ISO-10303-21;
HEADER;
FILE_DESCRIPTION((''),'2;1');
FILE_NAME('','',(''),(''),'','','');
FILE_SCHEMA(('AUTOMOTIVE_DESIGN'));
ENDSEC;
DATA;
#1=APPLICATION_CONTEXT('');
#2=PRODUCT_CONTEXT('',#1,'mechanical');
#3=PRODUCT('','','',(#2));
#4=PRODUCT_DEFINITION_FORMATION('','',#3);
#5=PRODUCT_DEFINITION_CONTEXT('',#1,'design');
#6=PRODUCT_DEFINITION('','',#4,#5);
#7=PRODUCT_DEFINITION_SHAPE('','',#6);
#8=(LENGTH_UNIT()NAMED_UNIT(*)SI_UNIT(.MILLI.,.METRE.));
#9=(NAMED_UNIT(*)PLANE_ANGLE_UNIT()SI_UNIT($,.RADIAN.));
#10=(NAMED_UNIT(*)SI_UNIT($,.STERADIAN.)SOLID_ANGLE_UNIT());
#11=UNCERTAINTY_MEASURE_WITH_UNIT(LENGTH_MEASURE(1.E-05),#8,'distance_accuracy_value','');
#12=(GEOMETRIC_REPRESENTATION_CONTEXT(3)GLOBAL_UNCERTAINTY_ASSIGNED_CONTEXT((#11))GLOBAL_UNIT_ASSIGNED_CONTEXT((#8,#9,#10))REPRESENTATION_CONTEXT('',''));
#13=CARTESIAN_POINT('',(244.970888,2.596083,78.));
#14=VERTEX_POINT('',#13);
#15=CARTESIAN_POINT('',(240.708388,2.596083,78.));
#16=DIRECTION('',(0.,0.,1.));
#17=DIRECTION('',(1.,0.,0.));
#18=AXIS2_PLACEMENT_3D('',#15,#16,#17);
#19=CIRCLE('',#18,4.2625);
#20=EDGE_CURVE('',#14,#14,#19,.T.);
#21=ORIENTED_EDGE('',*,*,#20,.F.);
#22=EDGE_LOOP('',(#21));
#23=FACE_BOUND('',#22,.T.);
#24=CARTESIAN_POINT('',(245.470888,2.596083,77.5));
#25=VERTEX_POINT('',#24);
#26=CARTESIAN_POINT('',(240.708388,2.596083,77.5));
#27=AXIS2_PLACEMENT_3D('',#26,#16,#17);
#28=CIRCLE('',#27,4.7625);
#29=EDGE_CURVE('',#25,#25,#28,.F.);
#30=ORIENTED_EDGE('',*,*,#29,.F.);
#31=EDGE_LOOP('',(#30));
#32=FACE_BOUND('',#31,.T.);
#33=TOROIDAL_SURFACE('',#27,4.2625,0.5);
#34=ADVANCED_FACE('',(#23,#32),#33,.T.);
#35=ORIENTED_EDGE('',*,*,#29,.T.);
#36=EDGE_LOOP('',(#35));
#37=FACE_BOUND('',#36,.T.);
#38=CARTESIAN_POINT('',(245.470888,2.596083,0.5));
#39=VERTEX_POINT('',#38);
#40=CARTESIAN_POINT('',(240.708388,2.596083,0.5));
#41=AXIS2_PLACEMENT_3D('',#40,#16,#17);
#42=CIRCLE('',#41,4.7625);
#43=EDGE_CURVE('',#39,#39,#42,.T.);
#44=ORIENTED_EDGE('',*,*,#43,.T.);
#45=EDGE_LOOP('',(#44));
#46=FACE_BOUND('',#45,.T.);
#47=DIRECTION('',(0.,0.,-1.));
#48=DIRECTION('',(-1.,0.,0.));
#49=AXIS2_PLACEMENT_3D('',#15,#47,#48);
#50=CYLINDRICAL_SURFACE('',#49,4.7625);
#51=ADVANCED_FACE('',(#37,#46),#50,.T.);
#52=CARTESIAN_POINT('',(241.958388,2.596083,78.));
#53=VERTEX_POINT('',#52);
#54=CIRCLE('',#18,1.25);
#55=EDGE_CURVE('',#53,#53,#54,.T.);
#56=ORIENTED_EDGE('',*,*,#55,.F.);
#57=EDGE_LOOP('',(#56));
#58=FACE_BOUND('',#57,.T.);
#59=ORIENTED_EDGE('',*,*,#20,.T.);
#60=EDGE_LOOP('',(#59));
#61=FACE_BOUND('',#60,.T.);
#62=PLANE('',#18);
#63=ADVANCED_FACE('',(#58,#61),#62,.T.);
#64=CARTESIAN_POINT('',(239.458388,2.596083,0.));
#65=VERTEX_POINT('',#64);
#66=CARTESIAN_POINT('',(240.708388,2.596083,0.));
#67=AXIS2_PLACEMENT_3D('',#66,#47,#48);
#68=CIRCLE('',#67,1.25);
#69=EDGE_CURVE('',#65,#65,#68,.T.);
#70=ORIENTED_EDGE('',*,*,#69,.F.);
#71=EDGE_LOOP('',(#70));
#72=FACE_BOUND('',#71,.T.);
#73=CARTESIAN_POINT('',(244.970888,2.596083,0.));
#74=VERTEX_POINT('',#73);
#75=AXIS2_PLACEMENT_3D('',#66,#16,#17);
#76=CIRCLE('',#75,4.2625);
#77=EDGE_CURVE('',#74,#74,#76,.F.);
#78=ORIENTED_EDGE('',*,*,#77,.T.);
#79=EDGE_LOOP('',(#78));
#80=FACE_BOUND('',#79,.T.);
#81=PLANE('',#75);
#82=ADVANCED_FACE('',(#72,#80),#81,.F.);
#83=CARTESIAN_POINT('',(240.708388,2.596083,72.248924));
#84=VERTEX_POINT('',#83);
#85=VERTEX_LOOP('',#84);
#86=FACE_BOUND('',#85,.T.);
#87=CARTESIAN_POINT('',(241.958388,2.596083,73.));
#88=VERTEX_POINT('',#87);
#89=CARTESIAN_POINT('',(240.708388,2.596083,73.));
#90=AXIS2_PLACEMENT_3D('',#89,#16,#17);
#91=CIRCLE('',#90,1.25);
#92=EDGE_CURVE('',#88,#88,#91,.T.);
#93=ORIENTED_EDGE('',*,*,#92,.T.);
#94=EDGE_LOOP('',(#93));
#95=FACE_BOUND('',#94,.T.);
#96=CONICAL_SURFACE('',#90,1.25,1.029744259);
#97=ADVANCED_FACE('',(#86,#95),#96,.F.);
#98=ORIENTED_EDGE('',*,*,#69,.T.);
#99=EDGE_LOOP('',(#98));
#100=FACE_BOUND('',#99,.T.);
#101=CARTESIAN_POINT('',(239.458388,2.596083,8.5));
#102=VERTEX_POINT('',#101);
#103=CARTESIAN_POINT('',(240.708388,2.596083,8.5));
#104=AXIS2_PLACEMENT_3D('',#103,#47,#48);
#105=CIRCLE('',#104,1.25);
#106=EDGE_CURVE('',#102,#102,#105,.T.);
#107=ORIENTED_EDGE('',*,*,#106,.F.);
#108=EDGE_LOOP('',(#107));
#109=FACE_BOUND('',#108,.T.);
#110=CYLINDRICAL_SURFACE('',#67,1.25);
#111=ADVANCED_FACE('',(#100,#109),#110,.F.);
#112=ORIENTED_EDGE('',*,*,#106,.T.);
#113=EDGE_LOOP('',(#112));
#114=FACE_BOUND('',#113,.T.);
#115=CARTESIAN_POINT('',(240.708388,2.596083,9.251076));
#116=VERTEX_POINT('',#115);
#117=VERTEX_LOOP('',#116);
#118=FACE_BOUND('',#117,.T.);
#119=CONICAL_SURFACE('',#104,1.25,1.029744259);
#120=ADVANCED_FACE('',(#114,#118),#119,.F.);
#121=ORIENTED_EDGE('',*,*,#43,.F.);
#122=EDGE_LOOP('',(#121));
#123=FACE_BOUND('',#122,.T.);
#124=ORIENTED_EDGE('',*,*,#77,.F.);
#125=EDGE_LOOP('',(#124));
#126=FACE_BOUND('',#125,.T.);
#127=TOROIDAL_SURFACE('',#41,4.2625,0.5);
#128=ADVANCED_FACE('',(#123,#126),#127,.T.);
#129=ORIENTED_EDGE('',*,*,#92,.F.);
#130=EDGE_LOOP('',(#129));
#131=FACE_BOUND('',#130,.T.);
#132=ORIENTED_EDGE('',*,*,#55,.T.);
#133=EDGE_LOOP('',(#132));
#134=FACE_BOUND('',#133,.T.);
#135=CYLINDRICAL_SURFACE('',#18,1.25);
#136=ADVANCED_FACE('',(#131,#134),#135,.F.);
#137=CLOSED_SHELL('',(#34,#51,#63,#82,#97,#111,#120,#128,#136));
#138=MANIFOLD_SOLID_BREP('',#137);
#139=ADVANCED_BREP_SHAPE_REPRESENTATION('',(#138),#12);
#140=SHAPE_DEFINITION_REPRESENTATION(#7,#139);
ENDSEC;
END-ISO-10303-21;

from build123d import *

# Parameters (mm, degrees)
ESBO_O1_R                                      = 4.7625
RESSALTO_EXTRUS_O1_DEPTH                       = 78
FURO_ROSCADO_DE_M3X0_52_D                      = 2.5
FURO_ROSCADO_DE_M3X0_52_DEPTH                  = 8.5
FURO_ROSCADO_DE_M3X0_52_TIP                    = 0.751075774
FILETE1_R                                      = 0.5
BROCA_DE_ROSQUEAR_PARA_TARRAXA_DE_M3X0_5_D     = 2.5
BROCA_DE_ROSQUEAR_PARA_TARRAXA_DE_M3X0_5_DEPTH = 5
BROCA_DE_ROSQUEAR_PARA_TARRAXA_DE_M3X0_5_TIP   = 0.751075774
FILETE2_R                                      = 0.5


with BuildPart() as part:
    # Esboço1 → Ressalto-extrusão1 (new body)
    with BuildSketch(Plane.XY):
        with Locations((240.708388302, 2.596082859)):
            Circle(ESBO_O1_R)
    extrude(amount=RESSALTO_EXTRUS_O1_DEPTH)

    # Furo roscado de M3x0.52
    with Locations(Plane(origin=(0, 0, 0), x_dir=(-1, 0, 0), z_dir=(0, 0, -1))):
        with Locations((-240.708388302, 2.596082859)):
            Hole(FURO_ROSCADO_DE_M3X0_52_D / 2, depth=FURO_ROSCADO_DE_M3X0_52_DEPTH)
            with Locations((0, 0, -(FURO_ROSCADO_DE_M3X0_52_DEPTH + FURO_ROSCADO_DE_M3X0_52_TIP / 2))):  # 118° drill point
                Cone(0, FURO_ROSCADO_DE_M3X0_52_D / 2, FURO_ROSCADO_DE_M3X0_52_TIP, mode=Mode.SUBTRACT)

    # Filete1
    filete1_edges = [part.edges().sort_by_distance(p)[0] for p in [
        (235.945888302, 2.596082859, 0),
    ]]
    fillet(filete1_edges, radius=FILETE1_R)

    # Broca de rosquear para tarraxa de M3x0.51
    with Locations(Plane.XY.offset(78)):
        with Locations((240.708388302, 2.596082859)):
            Hole(BROCA_DE_ROSQUEAR_PARA_TARRAXA_DE_M3X0_5_D / 2, depth=BROCA_DE_ROSQUEAR_PARA_TARRAXA_DE_M3X0_5_DEPTH)
            with Locations((0, 0, -(BROCA_DE_ROSQUEAR_PARA_TARRAXA_DE_M3X0_5_DEPTH + BROCA_DE_ROSQUEAR_PARA_TARRAXA_DE_M3X0_5_TIP / 2))):  # 118° drill point
                Cone(0, BROCA_DE_ROSQUEAR_PARA_TARRAXA_DE_M3X0_5_D / 2, BROCA_DE_ROSQUEAR_PARA_TARRAXA_DE_M3X0_5_TIP, mode=Mode.SUBTRACT)

    # Filete2
    filete2_edges = [part.edges().sort_by_distance(p)[0] for p in [
        (235.945888302, 2.596082859, 78),
    ]]
    fillet(filete2_edges, radius=FILETE2_R)


solid = part.part
